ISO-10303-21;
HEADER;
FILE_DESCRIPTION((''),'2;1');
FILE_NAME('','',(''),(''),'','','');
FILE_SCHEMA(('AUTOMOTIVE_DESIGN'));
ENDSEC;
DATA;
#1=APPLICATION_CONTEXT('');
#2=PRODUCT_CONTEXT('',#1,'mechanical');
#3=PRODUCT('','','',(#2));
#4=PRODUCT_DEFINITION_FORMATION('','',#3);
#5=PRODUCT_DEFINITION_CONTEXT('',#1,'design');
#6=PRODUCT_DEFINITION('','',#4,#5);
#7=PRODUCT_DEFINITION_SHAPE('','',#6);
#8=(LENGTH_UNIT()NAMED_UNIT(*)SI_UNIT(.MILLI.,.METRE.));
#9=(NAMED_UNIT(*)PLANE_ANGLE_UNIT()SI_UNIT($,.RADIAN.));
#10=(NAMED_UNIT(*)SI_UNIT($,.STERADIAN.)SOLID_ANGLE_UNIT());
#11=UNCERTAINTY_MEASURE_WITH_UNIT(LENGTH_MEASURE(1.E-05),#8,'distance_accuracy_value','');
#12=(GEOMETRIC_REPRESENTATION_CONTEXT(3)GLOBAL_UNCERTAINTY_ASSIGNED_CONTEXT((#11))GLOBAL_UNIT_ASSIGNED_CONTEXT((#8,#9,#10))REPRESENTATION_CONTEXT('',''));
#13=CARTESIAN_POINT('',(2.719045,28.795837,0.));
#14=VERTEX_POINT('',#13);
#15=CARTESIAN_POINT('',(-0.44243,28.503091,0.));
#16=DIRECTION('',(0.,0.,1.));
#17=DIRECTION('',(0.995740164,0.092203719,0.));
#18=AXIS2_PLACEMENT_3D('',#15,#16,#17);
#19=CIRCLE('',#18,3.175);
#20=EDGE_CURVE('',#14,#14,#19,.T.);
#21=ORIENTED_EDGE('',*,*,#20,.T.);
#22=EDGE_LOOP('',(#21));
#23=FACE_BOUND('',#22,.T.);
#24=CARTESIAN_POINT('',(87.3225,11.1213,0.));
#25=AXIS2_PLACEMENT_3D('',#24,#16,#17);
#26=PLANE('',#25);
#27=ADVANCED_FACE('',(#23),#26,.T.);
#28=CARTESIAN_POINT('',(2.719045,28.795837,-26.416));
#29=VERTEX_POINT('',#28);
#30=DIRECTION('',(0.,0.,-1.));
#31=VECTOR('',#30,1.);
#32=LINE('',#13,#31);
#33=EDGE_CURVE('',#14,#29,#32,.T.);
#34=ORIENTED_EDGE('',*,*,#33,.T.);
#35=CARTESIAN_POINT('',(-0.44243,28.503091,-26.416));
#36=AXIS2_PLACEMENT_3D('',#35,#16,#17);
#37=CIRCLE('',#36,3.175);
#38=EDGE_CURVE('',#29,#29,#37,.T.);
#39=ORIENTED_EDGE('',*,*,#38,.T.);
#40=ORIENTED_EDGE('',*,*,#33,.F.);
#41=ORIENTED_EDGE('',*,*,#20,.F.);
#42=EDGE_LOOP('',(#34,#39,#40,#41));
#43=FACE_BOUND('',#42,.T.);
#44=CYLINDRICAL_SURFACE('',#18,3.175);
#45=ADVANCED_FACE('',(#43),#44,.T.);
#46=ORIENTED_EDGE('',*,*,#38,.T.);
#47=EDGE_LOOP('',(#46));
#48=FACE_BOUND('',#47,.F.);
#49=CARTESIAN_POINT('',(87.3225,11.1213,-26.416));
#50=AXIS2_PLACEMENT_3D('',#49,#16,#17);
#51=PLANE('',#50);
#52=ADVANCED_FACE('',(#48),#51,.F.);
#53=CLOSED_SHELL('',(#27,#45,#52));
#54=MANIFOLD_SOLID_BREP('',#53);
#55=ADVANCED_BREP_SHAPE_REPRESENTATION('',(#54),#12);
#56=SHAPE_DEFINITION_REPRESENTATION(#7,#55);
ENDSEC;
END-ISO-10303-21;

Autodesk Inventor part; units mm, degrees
ref_plane "YZ Plane" through (0, 0, 0) normal (1, 0, 0) x (0, 1, 0)
ref_plane "Work Plane1" through (87.3225, 11.1213, 0) normal (0, 0, 1) x (0.9957, 0.0922, 0)
sketch "Sketch1" plane through (87.3225, 11.1213, 0) normal (0, 0, 1) x (0.9957, 0.0922, 0)
  circle A0 centre (-85.7884, 25.4) radius 3.175 projected
  point P0 (-87.9759, -3.0231)
ref_plane "Work Plane2" through (-93.3376, -133.5722, -26.416) normal (0, 0, -1) x (0, 1, 0)
extrude "Extrusion1" add sketch "Sketch1" against normal up to surface (26.416 mm away)
properties part number "panGearShaft1" material "Stainless Steel"
